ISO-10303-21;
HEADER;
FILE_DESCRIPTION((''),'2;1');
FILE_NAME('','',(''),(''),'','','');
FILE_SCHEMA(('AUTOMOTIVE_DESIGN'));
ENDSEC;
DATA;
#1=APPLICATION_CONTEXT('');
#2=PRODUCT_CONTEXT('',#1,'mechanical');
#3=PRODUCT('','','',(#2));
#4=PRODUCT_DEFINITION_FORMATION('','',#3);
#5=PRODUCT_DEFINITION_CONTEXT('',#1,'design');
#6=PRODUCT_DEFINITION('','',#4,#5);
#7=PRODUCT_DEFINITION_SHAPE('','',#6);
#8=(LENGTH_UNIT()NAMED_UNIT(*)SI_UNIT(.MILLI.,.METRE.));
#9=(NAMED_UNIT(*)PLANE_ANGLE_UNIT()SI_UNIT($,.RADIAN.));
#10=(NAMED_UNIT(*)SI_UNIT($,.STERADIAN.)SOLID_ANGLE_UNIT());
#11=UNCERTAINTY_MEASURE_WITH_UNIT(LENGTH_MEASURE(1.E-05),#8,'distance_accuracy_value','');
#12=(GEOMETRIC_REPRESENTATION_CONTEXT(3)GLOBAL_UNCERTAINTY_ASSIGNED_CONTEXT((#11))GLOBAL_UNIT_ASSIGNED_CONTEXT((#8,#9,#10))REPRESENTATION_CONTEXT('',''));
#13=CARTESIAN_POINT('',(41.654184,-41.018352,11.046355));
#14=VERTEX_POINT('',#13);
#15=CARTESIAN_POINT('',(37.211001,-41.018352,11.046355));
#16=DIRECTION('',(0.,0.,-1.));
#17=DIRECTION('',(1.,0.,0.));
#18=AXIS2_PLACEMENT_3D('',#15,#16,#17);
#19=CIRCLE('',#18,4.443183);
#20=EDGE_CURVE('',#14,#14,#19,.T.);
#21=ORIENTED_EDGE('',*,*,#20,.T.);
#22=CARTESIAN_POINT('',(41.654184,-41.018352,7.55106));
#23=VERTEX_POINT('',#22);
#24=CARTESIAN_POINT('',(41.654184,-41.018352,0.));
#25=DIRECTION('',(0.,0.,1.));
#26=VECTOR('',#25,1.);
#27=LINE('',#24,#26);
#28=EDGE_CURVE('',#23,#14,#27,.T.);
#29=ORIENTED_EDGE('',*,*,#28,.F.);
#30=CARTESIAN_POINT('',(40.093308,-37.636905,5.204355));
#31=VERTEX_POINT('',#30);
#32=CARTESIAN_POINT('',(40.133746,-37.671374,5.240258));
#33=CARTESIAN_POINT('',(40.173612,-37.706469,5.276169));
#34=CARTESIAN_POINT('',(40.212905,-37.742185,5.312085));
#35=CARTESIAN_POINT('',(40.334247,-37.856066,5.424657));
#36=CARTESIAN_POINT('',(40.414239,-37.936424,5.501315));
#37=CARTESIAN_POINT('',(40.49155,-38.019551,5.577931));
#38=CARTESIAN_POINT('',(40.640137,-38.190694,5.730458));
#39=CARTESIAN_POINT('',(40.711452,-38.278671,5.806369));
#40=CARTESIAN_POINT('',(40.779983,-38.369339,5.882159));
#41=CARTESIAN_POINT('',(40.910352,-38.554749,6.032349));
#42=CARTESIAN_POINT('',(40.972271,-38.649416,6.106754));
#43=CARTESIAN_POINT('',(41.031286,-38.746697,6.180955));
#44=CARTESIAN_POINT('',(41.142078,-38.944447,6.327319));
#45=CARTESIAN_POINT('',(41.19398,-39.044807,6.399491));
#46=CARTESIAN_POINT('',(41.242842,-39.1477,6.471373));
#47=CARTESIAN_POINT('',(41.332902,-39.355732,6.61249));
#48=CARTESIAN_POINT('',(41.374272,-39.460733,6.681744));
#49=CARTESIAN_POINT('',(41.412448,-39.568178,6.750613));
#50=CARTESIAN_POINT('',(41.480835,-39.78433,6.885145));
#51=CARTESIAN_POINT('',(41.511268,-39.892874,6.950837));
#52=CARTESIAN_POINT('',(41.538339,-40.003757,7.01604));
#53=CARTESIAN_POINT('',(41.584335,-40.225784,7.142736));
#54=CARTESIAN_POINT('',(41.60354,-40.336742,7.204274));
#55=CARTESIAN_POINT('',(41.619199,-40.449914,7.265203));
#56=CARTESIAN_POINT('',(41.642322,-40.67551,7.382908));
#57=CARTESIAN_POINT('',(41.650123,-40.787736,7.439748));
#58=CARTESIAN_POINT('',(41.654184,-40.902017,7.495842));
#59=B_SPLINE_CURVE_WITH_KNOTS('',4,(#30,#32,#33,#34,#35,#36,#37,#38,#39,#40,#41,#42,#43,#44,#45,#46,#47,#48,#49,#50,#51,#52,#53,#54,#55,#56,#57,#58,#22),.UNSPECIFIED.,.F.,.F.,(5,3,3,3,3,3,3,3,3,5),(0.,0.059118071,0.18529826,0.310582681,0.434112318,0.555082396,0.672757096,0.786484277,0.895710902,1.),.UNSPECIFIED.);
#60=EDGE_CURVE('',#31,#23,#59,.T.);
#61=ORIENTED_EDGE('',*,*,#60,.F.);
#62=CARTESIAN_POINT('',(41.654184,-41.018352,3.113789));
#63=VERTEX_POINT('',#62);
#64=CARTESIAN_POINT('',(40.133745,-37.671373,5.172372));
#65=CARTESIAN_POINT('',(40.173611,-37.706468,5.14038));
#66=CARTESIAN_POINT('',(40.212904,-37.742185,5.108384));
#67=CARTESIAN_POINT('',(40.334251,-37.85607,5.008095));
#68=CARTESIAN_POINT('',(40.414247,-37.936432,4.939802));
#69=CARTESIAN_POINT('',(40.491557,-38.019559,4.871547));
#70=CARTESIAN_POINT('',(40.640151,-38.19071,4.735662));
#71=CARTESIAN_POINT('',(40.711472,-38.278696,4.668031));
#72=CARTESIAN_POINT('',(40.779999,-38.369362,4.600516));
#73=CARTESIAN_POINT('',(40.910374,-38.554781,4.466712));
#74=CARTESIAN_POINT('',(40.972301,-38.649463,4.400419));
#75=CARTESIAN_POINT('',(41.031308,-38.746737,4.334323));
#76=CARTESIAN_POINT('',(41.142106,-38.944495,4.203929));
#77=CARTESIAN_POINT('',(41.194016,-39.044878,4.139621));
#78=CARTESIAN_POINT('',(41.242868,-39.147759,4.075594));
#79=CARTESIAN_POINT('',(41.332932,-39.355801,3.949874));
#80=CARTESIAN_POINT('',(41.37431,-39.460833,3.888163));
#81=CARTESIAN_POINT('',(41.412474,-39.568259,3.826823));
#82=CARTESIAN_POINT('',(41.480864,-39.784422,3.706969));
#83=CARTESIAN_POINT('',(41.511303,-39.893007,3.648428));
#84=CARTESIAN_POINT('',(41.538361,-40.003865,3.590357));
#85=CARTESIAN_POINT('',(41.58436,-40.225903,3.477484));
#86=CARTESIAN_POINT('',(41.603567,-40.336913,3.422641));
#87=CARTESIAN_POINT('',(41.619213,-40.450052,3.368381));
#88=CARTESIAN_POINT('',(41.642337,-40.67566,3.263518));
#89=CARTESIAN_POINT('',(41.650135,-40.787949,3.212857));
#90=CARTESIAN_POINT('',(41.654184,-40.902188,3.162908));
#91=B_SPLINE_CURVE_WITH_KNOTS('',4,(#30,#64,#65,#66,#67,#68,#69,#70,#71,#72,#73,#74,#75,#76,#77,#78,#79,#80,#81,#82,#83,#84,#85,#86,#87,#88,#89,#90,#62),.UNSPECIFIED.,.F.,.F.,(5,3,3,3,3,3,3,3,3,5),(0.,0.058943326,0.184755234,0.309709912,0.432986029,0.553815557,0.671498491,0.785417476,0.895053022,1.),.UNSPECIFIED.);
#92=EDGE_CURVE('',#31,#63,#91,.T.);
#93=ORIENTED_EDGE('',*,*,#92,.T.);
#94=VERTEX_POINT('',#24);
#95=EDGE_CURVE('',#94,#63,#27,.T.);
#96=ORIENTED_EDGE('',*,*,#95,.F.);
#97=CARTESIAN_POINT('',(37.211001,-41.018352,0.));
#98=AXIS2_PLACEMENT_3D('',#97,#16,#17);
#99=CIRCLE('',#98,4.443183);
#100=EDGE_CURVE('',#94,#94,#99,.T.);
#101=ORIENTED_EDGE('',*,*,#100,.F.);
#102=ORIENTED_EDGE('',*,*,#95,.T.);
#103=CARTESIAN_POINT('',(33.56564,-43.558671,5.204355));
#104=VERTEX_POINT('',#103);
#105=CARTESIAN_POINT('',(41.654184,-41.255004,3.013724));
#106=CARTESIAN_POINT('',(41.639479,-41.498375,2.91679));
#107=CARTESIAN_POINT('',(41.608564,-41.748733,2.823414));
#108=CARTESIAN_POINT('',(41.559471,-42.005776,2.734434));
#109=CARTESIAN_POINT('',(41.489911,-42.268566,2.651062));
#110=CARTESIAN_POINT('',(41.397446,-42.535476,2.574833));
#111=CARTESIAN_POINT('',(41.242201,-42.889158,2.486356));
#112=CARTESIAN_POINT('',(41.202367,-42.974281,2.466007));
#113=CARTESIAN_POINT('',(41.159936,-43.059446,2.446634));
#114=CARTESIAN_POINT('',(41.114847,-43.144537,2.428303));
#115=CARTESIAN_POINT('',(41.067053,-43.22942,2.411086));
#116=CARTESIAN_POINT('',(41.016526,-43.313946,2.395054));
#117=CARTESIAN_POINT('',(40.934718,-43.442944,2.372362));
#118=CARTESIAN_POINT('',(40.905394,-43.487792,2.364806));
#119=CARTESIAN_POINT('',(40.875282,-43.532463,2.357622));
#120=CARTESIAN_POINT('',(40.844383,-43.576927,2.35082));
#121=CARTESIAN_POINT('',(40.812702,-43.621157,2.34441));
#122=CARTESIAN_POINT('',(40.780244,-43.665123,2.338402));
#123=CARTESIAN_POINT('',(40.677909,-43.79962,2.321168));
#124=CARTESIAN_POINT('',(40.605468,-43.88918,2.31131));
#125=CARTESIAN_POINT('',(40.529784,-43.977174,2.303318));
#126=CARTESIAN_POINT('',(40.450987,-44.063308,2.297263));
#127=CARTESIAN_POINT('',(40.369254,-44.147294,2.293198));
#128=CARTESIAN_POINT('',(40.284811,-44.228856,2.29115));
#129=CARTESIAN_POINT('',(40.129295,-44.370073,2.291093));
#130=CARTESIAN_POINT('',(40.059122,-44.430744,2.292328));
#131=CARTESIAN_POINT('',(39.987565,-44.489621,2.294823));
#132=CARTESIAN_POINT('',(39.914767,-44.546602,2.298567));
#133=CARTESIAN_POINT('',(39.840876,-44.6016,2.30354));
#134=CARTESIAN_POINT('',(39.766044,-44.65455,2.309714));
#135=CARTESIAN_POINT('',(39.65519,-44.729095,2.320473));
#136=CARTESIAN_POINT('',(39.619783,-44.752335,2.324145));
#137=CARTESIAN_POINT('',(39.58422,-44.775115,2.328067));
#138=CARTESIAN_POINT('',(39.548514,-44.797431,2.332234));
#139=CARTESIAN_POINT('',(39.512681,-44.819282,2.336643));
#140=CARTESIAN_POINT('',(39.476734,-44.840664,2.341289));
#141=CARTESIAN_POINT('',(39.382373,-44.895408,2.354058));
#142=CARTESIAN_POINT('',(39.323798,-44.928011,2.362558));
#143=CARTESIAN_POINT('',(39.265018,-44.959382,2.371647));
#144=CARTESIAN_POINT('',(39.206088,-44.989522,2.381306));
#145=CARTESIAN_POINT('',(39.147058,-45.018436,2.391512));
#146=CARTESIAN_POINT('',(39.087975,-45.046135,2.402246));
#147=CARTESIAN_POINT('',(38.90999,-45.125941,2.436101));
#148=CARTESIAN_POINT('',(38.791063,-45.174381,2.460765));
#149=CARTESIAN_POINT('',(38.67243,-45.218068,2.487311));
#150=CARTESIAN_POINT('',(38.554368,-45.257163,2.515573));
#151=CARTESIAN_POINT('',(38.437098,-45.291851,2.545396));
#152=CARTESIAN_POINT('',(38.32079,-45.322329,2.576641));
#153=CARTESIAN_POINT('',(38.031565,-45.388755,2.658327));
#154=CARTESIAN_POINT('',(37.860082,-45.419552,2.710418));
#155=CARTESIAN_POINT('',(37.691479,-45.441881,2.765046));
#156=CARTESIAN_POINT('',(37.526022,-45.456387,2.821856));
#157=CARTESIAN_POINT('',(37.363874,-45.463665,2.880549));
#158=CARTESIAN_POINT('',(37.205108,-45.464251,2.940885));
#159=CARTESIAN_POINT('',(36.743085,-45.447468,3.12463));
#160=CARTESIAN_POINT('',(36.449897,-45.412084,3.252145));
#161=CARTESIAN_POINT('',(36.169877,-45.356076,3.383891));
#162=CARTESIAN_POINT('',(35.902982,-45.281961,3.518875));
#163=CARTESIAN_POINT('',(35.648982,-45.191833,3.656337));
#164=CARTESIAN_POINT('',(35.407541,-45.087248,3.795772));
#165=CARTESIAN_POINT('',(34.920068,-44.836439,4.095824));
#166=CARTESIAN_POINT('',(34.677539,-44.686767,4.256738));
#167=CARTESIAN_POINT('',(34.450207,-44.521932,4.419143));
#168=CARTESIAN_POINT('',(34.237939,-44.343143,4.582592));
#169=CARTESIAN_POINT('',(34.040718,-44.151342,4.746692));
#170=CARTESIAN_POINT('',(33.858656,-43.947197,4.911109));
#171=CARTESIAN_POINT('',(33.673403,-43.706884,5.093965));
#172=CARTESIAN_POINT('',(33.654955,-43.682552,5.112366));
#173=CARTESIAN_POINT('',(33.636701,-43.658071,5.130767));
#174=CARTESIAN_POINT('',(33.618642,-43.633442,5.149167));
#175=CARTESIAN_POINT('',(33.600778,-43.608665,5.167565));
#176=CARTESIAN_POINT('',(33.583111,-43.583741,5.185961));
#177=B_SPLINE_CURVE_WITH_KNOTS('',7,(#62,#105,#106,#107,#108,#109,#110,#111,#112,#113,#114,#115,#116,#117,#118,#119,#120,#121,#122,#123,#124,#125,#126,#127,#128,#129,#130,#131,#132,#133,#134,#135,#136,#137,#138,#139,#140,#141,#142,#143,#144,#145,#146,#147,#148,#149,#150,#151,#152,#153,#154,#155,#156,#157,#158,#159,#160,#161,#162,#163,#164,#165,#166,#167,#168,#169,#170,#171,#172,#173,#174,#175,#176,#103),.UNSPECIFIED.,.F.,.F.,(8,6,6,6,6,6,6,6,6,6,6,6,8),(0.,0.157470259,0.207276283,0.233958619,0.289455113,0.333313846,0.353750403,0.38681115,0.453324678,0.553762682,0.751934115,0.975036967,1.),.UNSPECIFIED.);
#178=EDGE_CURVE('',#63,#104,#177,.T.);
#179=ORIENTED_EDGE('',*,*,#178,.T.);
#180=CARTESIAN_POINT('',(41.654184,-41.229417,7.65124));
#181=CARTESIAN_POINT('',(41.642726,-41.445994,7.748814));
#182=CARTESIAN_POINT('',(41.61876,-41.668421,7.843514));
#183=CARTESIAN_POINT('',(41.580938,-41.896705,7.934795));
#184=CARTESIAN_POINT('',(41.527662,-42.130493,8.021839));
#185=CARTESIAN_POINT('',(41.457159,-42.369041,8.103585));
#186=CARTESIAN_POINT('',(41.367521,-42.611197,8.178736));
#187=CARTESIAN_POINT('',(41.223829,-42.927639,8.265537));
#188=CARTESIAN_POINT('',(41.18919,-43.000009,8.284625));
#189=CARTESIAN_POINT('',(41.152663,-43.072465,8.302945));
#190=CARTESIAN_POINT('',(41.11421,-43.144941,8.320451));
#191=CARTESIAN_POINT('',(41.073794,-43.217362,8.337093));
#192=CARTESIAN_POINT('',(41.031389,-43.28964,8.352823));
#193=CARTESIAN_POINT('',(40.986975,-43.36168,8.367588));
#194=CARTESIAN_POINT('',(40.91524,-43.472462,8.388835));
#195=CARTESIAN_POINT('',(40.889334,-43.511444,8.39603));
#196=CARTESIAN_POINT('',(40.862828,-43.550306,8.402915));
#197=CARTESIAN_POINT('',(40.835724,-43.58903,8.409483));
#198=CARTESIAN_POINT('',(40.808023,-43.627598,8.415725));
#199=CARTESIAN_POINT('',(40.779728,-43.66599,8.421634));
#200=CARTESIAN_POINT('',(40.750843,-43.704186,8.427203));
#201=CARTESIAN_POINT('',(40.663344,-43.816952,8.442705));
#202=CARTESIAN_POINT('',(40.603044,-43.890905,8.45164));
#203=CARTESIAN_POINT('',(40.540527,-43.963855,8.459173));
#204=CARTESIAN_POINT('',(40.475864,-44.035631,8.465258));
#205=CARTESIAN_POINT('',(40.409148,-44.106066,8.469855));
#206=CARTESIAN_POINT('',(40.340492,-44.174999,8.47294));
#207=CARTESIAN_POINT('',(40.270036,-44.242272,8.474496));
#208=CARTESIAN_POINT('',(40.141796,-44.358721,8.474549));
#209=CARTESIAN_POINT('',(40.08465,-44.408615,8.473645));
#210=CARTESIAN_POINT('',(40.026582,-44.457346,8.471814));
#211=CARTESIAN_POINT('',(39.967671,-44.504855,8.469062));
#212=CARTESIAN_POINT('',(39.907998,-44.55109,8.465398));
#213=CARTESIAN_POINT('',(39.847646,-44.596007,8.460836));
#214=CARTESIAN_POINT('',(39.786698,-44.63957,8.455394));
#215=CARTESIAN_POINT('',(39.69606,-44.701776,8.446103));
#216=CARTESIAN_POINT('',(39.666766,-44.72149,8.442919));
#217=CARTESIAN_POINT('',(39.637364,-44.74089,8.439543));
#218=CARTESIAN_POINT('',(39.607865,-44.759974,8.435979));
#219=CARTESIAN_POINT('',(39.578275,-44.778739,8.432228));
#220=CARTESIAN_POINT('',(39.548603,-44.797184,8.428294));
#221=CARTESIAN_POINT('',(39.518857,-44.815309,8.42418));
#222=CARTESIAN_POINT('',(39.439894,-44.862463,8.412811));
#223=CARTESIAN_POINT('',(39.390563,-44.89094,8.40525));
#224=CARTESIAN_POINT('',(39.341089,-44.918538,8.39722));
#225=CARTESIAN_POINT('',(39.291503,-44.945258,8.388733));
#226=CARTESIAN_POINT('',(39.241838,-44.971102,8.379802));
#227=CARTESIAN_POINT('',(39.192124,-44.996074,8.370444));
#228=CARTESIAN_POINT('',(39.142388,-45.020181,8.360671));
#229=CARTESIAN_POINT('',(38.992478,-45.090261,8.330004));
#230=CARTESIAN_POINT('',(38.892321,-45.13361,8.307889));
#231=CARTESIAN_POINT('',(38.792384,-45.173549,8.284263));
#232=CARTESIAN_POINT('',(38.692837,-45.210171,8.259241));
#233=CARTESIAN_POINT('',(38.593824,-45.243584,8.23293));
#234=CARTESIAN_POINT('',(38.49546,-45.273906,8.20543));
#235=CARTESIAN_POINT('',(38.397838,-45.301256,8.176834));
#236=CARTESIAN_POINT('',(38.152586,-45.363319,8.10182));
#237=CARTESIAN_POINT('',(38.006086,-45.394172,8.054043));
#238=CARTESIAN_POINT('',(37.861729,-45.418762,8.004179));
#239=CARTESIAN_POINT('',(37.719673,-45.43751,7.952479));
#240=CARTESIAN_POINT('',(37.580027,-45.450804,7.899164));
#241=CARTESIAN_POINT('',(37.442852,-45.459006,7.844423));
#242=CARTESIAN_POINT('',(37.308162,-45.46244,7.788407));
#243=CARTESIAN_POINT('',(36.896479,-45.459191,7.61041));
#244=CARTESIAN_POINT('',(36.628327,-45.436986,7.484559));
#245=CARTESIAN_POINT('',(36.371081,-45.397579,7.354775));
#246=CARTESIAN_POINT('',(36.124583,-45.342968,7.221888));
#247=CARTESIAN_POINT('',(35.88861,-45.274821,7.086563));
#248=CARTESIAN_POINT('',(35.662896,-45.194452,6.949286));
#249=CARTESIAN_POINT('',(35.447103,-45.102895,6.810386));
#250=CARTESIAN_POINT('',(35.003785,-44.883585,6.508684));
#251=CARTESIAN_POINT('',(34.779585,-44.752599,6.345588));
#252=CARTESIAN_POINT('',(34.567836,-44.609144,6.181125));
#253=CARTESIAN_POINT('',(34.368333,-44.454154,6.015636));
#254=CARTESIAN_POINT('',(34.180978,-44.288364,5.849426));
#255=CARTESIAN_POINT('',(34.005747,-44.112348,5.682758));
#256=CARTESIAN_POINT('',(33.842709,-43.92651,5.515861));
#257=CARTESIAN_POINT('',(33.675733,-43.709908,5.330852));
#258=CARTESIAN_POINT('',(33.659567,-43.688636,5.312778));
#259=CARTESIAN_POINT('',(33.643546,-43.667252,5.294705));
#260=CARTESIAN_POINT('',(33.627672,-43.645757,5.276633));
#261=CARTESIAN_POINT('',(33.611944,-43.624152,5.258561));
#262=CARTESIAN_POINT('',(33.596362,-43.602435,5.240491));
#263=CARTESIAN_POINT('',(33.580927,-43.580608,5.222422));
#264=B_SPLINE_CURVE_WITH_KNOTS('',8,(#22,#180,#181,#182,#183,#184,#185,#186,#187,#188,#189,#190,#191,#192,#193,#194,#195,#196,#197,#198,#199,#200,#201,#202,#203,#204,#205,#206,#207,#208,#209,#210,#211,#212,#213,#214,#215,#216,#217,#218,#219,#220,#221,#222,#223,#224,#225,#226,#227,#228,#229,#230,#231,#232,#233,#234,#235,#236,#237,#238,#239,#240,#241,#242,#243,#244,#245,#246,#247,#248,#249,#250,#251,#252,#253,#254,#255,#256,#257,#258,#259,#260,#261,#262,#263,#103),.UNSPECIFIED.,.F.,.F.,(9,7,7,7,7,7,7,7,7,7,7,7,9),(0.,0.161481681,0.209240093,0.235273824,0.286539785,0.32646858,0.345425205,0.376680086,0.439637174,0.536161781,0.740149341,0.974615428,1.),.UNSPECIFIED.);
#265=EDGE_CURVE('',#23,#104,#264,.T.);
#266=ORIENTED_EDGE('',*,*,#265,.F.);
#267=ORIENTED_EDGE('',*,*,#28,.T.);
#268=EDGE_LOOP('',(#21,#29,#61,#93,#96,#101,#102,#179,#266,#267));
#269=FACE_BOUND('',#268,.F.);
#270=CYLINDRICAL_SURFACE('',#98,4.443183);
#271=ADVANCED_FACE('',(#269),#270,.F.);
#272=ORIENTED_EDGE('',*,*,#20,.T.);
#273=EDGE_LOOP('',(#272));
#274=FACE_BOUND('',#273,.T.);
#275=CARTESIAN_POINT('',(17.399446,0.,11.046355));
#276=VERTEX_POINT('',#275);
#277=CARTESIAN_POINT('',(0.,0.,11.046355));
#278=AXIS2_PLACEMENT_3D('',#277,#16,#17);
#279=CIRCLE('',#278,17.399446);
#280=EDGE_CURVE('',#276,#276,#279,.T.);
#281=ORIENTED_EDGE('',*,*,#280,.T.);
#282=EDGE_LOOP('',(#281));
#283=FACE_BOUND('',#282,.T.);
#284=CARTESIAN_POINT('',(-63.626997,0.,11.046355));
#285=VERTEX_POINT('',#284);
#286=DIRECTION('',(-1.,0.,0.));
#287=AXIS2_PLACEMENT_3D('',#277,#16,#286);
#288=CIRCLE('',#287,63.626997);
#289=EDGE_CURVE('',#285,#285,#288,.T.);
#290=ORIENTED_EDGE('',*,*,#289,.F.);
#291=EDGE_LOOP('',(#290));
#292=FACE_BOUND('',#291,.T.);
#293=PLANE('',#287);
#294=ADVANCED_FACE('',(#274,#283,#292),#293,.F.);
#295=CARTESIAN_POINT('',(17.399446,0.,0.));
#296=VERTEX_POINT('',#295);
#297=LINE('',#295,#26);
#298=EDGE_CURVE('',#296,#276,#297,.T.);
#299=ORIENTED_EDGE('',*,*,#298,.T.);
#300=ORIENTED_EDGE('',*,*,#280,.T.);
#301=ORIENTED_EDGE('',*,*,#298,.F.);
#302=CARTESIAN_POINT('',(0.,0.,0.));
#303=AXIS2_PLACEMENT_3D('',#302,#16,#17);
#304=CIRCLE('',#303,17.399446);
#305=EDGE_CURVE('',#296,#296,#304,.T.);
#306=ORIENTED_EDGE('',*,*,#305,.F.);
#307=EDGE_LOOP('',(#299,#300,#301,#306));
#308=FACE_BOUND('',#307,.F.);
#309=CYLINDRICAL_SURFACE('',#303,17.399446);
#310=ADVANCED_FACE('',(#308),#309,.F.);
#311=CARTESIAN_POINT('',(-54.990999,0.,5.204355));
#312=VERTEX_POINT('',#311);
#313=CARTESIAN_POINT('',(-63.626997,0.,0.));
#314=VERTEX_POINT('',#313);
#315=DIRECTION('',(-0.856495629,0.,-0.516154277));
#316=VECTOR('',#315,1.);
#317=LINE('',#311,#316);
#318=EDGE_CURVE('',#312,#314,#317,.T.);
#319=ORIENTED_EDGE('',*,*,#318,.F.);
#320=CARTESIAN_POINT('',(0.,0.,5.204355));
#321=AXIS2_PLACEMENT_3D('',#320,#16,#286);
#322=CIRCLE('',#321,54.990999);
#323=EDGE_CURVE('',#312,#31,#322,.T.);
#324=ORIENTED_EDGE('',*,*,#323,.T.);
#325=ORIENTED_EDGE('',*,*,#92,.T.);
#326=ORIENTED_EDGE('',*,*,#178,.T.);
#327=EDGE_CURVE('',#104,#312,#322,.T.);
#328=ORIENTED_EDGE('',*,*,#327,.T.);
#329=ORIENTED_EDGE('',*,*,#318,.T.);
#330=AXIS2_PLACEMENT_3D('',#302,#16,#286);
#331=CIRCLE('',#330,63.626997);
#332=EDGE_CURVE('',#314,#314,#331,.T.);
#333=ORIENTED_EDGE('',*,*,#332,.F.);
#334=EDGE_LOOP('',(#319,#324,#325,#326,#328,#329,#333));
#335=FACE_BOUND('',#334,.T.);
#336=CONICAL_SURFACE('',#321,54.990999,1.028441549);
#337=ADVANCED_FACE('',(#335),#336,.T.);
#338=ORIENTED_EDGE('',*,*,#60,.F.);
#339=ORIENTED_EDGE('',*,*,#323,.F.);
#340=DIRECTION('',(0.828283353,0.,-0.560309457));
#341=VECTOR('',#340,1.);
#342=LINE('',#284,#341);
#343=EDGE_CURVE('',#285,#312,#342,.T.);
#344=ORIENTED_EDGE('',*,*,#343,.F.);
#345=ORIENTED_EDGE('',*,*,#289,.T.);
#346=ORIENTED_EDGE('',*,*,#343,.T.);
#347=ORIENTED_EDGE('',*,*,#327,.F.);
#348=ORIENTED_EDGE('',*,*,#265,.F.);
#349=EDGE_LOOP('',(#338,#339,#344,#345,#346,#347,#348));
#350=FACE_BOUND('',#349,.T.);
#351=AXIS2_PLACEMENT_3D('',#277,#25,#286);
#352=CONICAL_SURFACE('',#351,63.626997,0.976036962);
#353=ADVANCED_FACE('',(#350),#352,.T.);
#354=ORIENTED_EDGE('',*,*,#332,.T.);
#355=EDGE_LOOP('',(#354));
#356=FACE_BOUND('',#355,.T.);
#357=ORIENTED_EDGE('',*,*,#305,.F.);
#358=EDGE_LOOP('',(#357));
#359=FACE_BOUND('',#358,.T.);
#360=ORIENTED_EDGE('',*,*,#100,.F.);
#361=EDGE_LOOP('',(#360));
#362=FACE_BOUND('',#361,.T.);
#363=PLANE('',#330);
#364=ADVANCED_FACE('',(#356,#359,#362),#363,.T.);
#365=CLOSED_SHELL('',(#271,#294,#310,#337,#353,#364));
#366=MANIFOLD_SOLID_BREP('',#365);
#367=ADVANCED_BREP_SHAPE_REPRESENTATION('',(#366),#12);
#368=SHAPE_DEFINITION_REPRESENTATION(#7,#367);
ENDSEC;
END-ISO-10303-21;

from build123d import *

# Parameters (mm, degrees)
F2_R     = 4.443183
F3_DEPTH = 25.4
F4_R     = 17.399446
F5_DEPTH = 25.4


with BuildPart() as f1:
    # F0 (on Front) → F1 (revolve)
    with BuildSketch(Plane.XZ):
        Polygon((-63.626997, 0), (0, 0), (0, 11.046355), (-63.626997, 11.046355), (-54.990999, 5.204355), align=None)
    revolve(axis=Axis((0, 0, 5.523177), (0, 0, -1)))

    # F2 (on face) → F3 (cut)
    with BuildSketch(Plane(origin=(0, 0, 0), x_dir=(1, 0, 0), z_dir=(0, 0, -1))):
        with Locations((37.211001, 41.018352)):
            Circle(F2_R)
    extrude(amount=-F3_DEPTH, mode=Mode.SUBTRACT)

    # F4 (on face) → F5 (cut)
    with BuildSketch(Plane(origin=(0, 0, 0), x_dir=(1, 0, 0), z_dir=(0, 0, -1))):
        Circle(F4_R)
    extrude(amount=-F5_DEPTH, mode=Mode.SUBTRACT)


solid = f1.part
